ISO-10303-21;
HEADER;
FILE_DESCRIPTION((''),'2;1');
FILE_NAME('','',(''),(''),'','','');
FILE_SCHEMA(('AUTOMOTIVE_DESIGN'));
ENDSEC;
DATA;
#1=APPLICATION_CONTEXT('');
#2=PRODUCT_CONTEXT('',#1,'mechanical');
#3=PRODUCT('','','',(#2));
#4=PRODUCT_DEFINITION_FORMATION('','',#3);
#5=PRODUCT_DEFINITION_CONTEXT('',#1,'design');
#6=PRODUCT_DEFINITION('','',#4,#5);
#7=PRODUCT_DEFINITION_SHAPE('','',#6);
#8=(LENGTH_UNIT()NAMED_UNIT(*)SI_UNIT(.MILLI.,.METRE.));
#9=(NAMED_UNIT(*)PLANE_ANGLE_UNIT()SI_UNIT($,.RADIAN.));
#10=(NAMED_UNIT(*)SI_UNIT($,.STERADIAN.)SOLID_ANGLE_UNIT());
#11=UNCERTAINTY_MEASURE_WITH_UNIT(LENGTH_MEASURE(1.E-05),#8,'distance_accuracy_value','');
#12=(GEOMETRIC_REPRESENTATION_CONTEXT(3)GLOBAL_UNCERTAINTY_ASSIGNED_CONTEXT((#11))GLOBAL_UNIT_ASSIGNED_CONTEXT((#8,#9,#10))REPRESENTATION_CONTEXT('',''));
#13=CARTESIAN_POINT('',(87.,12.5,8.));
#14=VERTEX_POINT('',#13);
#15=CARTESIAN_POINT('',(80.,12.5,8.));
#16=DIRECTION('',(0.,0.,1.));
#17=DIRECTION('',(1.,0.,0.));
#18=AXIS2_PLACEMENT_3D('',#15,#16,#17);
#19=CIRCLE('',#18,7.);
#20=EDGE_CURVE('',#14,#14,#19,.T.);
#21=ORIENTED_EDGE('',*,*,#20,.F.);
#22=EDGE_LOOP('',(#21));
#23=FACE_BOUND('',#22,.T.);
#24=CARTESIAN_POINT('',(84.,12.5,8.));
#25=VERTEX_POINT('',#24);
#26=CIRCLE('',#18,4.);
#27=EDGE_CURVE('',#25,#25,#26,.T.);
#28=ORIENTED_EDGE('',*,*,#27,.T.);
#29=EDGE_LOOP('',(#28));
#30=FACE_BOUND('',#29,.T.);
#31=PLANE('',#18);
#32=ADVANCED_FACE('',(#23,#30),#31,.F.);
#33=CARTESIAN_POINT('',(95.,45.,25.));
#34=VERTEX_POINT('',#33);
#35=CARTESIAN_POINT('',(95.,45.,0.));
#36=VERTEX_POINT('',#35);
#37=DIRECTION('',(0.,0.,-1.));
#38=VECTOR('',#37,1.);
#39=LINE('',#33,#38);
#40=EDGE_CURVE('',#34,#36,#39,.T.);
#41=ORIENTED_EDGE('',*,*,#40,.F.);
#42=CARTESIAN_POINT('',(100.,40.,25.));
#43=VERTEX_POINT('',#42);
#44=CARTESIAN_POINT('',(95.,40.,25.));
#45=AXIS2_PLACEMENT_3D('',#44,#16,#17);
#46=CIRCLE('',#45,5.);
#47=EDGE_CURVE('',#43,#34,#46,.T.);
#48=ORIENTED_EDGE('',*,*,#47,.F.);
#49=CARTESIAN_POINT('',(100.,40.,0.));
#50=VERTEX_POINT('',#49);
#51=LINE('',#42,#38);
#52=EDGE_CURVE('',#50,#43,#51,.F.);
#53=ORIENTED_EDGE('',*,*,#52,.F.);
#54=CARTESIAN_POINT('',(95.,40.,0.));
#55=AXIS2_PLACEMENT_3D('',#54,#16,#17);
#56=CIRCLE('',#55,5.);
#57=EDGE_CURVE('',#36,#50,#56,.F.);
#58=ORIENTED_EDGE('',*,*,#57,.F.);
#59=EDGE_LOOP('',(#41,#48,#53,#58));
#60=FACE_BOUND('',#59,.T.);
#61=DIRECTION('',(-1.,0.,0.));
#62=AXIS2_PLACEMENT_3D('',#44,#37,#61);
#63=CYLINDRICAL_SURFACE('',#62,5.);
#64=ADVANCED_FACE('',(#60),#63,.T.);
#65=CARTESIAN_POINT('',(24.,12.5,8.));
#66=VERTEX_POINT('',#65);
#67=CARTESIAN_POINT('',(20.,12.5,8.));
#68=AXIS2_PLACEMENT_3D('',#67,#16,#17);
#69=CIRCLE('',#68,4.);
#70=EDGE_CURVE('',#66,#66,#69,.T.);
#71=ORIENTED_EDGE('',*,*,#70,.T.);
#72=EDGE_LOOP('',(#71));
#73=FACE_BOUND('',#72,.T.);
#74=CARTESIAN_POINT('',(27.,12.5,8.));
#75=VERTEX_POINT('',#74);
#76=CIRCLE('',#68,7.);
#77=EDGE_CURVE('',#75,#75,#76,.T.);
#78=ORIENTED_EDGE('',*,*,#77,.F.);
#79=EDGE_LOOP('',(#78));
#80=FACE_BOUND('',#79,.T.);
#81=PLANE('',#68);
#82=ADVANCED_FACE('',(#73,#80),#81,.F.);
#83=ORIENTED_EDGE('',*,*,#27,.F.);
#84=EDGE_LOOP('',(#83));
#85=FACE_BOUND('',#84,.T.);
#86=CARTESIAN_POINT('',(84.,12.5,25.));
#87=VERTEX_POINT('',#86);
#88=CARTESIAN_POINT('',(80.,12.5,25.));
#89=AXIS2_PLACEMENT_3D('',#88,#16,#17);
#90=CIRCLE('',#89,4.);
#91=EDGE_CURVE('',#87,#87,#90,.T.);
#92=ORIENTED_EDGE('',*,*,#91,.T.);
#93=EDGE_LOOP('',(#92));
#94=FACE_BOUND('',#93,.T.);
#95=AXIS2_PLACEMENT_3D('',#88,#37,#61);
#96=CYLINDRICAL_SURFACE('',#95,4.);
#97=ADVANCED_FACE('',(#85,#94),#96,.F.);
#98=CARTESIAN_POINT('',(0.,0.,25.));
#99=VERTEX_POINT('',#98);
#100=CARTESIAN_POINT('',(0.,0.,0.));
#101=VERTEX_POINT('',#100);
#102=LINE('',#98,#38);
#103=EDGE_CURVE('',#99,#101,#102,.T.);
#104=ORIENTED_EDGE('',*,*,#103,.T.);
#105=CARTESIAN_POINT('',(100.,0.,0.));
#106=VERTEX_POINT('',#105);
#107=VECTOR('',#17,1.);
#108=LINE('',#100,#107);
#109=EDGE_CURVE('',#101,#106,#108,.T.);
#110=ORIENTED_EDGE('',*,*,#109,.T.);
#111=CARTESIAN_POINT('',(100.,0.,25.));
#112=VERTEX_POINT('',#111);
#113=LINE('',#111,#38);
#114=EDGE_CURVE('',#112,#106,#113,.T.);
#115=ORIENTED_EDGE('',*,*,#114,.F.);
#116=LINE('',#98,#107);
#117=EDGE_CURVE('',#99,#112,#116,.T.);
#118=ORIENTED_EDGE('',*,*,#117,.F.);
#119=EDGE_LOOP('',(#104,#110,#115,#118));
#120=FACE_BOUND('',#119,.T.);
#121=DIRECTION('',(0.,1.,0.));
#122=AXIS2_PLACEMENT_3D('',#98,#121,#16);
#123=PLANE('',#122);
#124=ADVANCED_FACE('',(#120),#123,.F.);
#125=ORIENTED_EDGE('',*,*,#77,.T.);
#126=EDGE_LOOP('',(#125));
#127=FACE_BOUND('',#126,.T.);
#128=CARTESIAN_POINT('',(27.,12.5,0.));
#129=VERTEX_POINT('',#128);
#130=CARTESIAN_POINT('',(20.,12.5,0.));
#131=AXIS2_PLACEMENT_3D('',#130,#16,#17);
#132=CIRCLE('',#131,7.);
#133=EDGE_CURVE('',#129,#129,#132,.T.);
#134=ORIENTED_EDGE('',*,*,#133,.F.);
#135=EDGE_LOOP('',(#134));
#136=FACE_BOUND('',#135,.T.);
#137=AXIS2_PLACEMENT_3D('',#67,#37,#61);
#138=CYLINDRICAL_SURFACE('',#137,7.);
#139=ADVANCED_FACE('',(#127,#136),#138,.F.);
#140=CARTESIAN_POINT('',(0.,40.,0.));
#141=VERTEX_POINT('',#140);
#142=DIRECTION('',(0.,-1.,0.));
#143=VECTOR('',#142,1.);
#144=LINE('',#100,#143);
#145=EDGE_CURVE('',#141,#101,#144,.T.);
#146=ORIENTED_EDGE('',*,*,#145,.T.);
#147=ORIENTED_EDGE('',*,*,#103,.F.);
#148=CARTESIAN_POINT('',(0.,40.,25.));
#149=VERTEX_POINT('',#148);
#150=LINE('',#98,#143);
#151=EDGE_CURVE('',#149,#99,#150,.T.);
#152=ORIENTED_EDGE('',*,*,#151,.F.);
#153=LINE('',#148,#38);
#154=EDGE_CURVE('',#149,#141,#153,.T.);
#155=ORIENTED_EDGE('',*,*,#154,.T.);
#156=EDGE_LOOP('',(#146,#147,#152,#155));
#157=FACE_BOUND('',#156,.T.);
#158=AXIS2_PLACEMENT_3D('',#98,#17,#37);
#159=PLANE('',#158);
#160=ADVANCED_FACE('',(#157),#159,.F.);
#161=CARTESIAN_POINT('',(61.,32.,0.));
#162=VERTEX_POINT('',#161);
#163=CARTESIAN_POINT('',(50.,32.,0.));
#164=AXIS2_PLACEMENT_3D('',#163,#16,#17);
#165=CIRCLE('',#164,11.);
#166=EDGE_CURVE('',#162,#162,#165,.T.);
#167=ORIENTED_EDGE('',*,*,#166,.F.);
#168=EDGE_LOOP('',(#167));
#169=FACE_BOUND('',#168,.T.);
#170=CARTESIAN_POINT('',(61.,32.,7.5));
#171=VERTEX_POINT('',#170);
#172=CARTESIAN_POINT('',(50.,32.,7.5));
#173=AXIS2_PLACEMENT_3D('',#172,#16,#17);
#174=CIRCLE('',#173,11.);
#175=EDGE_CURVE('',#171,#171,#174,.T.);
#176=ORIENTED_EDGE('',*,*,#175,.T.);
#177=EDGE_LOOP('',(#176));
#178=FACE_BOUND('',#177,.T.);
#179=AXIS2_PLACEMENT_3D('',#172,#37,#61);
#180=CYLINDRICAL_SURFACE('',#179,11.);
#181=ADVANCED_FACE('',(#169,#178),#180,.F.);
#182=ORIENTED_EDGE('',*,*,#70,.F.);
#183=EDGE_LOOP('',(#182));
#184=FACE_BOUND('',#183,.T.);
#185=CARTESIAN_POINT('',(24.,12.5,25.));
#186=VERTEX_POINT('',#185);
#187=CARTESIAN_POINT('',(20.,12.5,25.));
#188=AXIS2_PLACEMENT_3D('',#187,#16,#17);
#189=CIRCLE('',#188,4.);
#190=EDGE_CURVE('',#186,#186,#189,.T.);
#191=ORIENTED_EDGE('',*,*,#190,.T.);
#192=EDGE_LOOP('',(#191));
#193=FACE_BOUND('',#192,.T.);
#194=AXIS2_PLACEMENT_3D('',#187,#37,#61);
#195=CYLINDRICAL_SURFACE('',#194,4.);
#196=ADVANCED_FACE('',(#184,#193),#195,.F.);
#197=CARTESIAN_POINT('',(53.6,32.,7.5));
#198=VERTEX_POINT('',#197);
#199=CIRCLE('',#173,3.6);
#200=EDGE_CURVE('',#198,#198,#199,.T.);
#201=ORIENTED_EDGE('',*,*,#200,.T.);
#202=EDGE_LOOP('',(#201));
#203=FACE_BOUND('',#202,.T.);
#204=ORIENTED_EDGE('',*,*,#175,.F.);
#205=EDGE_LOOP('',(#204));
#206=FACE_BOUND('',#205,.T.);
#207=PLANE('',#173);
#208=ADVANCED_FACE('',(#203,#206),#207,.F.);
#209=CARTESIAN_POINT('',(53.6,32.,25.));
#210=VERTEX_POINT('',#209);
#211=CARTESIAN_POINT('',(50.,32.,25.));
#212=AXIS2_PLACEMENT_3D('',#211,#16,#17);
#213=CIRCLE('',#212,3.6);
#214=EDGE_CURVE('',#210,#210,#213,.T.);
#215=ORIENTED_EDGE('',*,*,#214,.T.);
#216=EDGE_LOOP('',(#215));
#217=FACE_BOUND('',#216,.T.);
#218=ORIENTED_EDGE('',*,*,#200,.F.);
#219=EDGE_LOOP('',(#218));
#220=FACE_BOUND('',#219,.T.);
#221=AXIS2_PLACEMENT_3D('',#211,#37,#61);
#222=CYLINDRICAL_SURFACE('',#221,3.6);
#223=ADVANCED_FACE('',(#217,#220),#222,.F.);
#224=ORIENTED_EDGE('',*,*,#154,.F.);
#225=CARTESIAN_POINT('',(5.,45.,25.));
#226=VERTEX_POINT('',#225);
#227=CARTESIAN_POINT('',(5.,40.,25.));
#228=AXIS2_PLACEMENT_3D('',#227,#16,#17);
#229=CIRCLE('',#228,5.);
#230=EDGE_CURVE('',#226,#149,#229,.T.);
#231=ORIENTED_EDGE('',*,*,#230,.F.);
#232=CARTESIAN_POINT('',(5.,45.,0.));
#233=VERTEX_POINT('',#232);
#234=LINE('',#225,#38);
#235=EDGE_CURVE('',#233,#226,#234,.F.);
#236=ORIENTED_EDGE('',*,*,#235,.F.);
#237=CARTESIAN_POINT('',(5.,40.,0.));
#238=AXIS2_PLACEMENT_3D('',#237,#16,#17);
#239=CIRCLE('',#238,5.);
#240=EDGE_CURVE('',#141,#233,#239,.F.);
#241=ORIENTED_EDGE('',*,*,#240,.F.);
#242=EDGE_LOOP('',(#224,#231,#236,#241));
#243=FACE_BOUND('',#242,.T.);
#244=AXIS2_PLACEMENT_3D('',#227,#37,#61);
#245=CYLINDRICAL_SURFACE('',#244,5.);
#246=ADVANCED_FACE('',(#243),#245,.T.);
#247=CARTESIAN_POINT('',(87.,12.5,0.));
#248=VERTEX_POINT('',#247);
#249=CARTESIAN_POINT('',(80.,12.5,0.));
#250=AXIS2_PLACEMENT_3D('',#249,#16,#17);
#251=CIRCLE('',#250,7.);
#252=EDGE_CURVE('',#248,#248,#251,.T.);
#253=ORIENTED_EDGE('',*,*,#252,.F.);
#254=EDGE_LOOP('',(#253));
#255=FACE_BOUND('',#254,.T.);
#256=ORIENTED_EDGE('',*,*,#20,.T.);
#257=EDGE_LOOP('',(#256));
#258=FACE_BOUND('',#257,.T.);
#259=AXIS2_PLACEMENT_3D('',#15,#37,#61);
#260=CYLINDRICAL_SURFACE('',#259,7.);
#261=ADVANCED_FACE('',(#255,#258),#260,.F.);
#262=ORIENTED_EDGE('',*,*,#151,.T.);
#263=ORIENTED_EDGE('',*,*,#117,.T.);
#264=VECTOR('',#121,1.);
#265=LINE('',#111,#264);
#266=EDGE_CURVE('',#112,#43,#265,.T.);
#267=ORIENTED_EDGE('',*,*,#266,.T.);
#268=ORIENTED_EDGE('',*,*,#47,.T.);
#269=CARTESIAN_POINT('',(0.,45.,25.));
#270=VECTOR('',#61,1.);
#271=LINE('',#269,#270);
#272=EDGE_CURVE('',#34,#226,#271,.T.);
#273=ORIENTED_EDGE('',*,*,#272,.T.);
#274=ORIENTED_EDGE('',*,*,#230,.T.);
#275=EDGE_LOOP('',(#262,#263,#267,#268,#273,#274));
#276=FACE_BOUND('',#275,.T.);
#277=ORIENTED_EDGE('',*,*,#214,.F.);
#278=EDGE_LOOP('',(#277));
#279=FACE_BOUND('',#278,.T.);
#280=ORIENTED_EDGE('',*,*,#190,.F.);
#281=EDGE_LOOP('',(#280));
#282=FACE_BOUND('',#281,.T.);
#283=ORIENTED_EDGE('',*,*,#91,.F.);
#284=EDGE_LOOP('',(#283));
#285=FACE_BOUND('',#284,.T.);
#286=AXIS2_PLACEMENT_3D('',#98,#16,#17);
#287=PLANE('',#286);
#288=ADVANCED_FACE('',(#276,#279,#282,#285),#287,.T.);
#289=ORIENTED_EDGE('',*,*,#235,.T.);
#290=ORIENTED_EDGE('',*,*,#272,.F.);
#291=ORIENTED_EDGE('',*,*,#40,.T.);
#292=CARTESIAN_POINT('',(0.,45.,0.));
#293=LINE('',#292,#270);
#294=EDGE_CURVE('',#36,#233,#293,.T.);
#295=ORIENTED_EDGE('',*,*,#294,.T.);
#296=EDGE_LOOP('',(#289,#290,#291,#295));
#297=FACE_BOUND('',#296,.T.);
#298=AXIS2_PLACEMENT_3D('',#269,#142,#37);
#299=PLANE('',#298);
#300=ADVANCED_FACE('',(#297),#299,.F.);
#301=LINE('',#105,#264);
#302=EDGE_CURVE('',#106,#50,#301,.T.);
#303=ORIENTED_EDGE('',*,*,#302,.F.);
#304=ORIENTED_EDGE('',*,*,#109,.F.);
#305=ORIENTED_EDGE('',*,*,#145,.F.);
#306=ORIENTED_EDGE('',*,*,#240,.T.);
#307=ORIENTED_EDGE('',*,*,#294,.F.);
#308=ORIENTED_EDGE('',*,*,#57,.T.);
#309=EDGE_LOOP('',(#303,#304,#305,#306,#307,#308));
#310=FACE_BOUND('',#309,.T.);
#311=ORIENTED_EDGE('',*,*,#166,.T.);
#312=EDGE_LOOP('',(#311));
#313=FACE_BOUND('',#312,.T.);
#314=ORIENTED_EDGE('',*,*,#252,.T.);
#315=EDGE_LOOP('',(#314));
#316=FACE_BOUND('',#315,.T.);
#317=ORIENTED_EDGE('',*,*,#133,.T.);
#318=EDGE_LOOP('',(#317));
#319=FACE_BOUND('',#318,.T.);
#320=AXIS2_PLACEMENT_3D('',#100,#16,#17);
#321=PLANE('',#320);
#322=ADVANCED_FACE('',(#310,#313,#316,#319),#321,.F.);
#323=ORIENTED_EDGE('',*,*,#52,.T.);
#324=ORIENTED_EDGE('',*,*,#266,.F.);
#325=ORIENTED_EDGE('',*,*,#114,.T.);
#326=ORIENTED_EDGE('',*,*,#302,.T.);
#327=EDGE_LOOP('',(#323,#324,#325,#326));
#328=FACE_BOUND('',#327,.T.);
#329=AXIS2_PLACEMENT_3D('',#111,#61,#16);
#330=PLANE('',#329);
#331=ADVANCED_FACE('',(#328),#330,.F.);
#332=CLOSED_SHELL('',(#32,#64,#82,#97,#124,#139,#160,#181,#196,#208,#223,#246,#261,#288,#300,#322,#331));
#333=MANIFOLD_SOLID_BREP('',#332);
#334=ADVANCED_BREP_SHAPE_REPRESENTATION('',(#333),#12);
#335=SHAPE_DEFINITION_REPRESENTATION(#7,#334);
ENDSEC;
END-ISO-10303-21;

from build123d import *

# Parameters (mm, degrees)
SKETCH1_W           = 100
SKETCH1_H           = 45
SKETCH1_R           = 4
SKETCH1_R_2         = 3.6
BOSS_EXTRUDE1_DEPTH = 25
SKETCH1_3_R         = 11
CUT_EXTRUDE1_DEPTH  = 7.5
FILLET1_R           = 5
SKETCH1_4_R         = 7
CUT_EXTRUDE2_DEPTH  = 8


with BuildPart() as part:
    # Sketch1 → Boss-Extrude1 (new body)
    with BuildSketch(Plane.XY):
        with Locations((50, 22.5)):
            Rectangle(SKETCH1_W, SKETCH1_H)
        with Locations((20, 12.5)):
            Circle(SKETCH1_R, mode=Mode.SUBTRACT)
        with Locations((50, 32)):
            Circle(SKETCH1_R_2, mode=Mode.SUBTRACT)
        with Locations((80, 12.5)):
            Circle(SKETCH1_R, mode=Mode.SUBTRACT)
    extrude(amount=BOSS_EXTRUDE1_DEPTH)

    # Sketch1<3> → Cut-Extrude1 (cut)
    with BuildSketch(Plane.XY):
        with Locations((50, 32)):
            Circle(SKETCH1_3_R)
    extrude(amount=CUT_EXTRUDE1_DEPTH, mode=Mode.SUBTRACT)

    # Fillet1
    fillet1_edges = [part.edges().sort_by_distance(p)[0] for p in [
        (100, 45, 12.5),
        (0, 45, 12.5),
    ]]
    fillet(fillet1_edges, radius=FILLET1_R)

    # Sketch1<4> → Cut-Extrude2 (cut)
    with BuildSketch(Plane.XY):
        with Locations((80, 12.5)):
            Circle(SKETCH1_4_R)
        with Locations((20, 12.5)):
            Circle(SKETCH1_4_R)
    extrude(amount=CUT_EXTRUDE2_DEPTH, mode=Mode.SUBTRACT)


solid = part.part
